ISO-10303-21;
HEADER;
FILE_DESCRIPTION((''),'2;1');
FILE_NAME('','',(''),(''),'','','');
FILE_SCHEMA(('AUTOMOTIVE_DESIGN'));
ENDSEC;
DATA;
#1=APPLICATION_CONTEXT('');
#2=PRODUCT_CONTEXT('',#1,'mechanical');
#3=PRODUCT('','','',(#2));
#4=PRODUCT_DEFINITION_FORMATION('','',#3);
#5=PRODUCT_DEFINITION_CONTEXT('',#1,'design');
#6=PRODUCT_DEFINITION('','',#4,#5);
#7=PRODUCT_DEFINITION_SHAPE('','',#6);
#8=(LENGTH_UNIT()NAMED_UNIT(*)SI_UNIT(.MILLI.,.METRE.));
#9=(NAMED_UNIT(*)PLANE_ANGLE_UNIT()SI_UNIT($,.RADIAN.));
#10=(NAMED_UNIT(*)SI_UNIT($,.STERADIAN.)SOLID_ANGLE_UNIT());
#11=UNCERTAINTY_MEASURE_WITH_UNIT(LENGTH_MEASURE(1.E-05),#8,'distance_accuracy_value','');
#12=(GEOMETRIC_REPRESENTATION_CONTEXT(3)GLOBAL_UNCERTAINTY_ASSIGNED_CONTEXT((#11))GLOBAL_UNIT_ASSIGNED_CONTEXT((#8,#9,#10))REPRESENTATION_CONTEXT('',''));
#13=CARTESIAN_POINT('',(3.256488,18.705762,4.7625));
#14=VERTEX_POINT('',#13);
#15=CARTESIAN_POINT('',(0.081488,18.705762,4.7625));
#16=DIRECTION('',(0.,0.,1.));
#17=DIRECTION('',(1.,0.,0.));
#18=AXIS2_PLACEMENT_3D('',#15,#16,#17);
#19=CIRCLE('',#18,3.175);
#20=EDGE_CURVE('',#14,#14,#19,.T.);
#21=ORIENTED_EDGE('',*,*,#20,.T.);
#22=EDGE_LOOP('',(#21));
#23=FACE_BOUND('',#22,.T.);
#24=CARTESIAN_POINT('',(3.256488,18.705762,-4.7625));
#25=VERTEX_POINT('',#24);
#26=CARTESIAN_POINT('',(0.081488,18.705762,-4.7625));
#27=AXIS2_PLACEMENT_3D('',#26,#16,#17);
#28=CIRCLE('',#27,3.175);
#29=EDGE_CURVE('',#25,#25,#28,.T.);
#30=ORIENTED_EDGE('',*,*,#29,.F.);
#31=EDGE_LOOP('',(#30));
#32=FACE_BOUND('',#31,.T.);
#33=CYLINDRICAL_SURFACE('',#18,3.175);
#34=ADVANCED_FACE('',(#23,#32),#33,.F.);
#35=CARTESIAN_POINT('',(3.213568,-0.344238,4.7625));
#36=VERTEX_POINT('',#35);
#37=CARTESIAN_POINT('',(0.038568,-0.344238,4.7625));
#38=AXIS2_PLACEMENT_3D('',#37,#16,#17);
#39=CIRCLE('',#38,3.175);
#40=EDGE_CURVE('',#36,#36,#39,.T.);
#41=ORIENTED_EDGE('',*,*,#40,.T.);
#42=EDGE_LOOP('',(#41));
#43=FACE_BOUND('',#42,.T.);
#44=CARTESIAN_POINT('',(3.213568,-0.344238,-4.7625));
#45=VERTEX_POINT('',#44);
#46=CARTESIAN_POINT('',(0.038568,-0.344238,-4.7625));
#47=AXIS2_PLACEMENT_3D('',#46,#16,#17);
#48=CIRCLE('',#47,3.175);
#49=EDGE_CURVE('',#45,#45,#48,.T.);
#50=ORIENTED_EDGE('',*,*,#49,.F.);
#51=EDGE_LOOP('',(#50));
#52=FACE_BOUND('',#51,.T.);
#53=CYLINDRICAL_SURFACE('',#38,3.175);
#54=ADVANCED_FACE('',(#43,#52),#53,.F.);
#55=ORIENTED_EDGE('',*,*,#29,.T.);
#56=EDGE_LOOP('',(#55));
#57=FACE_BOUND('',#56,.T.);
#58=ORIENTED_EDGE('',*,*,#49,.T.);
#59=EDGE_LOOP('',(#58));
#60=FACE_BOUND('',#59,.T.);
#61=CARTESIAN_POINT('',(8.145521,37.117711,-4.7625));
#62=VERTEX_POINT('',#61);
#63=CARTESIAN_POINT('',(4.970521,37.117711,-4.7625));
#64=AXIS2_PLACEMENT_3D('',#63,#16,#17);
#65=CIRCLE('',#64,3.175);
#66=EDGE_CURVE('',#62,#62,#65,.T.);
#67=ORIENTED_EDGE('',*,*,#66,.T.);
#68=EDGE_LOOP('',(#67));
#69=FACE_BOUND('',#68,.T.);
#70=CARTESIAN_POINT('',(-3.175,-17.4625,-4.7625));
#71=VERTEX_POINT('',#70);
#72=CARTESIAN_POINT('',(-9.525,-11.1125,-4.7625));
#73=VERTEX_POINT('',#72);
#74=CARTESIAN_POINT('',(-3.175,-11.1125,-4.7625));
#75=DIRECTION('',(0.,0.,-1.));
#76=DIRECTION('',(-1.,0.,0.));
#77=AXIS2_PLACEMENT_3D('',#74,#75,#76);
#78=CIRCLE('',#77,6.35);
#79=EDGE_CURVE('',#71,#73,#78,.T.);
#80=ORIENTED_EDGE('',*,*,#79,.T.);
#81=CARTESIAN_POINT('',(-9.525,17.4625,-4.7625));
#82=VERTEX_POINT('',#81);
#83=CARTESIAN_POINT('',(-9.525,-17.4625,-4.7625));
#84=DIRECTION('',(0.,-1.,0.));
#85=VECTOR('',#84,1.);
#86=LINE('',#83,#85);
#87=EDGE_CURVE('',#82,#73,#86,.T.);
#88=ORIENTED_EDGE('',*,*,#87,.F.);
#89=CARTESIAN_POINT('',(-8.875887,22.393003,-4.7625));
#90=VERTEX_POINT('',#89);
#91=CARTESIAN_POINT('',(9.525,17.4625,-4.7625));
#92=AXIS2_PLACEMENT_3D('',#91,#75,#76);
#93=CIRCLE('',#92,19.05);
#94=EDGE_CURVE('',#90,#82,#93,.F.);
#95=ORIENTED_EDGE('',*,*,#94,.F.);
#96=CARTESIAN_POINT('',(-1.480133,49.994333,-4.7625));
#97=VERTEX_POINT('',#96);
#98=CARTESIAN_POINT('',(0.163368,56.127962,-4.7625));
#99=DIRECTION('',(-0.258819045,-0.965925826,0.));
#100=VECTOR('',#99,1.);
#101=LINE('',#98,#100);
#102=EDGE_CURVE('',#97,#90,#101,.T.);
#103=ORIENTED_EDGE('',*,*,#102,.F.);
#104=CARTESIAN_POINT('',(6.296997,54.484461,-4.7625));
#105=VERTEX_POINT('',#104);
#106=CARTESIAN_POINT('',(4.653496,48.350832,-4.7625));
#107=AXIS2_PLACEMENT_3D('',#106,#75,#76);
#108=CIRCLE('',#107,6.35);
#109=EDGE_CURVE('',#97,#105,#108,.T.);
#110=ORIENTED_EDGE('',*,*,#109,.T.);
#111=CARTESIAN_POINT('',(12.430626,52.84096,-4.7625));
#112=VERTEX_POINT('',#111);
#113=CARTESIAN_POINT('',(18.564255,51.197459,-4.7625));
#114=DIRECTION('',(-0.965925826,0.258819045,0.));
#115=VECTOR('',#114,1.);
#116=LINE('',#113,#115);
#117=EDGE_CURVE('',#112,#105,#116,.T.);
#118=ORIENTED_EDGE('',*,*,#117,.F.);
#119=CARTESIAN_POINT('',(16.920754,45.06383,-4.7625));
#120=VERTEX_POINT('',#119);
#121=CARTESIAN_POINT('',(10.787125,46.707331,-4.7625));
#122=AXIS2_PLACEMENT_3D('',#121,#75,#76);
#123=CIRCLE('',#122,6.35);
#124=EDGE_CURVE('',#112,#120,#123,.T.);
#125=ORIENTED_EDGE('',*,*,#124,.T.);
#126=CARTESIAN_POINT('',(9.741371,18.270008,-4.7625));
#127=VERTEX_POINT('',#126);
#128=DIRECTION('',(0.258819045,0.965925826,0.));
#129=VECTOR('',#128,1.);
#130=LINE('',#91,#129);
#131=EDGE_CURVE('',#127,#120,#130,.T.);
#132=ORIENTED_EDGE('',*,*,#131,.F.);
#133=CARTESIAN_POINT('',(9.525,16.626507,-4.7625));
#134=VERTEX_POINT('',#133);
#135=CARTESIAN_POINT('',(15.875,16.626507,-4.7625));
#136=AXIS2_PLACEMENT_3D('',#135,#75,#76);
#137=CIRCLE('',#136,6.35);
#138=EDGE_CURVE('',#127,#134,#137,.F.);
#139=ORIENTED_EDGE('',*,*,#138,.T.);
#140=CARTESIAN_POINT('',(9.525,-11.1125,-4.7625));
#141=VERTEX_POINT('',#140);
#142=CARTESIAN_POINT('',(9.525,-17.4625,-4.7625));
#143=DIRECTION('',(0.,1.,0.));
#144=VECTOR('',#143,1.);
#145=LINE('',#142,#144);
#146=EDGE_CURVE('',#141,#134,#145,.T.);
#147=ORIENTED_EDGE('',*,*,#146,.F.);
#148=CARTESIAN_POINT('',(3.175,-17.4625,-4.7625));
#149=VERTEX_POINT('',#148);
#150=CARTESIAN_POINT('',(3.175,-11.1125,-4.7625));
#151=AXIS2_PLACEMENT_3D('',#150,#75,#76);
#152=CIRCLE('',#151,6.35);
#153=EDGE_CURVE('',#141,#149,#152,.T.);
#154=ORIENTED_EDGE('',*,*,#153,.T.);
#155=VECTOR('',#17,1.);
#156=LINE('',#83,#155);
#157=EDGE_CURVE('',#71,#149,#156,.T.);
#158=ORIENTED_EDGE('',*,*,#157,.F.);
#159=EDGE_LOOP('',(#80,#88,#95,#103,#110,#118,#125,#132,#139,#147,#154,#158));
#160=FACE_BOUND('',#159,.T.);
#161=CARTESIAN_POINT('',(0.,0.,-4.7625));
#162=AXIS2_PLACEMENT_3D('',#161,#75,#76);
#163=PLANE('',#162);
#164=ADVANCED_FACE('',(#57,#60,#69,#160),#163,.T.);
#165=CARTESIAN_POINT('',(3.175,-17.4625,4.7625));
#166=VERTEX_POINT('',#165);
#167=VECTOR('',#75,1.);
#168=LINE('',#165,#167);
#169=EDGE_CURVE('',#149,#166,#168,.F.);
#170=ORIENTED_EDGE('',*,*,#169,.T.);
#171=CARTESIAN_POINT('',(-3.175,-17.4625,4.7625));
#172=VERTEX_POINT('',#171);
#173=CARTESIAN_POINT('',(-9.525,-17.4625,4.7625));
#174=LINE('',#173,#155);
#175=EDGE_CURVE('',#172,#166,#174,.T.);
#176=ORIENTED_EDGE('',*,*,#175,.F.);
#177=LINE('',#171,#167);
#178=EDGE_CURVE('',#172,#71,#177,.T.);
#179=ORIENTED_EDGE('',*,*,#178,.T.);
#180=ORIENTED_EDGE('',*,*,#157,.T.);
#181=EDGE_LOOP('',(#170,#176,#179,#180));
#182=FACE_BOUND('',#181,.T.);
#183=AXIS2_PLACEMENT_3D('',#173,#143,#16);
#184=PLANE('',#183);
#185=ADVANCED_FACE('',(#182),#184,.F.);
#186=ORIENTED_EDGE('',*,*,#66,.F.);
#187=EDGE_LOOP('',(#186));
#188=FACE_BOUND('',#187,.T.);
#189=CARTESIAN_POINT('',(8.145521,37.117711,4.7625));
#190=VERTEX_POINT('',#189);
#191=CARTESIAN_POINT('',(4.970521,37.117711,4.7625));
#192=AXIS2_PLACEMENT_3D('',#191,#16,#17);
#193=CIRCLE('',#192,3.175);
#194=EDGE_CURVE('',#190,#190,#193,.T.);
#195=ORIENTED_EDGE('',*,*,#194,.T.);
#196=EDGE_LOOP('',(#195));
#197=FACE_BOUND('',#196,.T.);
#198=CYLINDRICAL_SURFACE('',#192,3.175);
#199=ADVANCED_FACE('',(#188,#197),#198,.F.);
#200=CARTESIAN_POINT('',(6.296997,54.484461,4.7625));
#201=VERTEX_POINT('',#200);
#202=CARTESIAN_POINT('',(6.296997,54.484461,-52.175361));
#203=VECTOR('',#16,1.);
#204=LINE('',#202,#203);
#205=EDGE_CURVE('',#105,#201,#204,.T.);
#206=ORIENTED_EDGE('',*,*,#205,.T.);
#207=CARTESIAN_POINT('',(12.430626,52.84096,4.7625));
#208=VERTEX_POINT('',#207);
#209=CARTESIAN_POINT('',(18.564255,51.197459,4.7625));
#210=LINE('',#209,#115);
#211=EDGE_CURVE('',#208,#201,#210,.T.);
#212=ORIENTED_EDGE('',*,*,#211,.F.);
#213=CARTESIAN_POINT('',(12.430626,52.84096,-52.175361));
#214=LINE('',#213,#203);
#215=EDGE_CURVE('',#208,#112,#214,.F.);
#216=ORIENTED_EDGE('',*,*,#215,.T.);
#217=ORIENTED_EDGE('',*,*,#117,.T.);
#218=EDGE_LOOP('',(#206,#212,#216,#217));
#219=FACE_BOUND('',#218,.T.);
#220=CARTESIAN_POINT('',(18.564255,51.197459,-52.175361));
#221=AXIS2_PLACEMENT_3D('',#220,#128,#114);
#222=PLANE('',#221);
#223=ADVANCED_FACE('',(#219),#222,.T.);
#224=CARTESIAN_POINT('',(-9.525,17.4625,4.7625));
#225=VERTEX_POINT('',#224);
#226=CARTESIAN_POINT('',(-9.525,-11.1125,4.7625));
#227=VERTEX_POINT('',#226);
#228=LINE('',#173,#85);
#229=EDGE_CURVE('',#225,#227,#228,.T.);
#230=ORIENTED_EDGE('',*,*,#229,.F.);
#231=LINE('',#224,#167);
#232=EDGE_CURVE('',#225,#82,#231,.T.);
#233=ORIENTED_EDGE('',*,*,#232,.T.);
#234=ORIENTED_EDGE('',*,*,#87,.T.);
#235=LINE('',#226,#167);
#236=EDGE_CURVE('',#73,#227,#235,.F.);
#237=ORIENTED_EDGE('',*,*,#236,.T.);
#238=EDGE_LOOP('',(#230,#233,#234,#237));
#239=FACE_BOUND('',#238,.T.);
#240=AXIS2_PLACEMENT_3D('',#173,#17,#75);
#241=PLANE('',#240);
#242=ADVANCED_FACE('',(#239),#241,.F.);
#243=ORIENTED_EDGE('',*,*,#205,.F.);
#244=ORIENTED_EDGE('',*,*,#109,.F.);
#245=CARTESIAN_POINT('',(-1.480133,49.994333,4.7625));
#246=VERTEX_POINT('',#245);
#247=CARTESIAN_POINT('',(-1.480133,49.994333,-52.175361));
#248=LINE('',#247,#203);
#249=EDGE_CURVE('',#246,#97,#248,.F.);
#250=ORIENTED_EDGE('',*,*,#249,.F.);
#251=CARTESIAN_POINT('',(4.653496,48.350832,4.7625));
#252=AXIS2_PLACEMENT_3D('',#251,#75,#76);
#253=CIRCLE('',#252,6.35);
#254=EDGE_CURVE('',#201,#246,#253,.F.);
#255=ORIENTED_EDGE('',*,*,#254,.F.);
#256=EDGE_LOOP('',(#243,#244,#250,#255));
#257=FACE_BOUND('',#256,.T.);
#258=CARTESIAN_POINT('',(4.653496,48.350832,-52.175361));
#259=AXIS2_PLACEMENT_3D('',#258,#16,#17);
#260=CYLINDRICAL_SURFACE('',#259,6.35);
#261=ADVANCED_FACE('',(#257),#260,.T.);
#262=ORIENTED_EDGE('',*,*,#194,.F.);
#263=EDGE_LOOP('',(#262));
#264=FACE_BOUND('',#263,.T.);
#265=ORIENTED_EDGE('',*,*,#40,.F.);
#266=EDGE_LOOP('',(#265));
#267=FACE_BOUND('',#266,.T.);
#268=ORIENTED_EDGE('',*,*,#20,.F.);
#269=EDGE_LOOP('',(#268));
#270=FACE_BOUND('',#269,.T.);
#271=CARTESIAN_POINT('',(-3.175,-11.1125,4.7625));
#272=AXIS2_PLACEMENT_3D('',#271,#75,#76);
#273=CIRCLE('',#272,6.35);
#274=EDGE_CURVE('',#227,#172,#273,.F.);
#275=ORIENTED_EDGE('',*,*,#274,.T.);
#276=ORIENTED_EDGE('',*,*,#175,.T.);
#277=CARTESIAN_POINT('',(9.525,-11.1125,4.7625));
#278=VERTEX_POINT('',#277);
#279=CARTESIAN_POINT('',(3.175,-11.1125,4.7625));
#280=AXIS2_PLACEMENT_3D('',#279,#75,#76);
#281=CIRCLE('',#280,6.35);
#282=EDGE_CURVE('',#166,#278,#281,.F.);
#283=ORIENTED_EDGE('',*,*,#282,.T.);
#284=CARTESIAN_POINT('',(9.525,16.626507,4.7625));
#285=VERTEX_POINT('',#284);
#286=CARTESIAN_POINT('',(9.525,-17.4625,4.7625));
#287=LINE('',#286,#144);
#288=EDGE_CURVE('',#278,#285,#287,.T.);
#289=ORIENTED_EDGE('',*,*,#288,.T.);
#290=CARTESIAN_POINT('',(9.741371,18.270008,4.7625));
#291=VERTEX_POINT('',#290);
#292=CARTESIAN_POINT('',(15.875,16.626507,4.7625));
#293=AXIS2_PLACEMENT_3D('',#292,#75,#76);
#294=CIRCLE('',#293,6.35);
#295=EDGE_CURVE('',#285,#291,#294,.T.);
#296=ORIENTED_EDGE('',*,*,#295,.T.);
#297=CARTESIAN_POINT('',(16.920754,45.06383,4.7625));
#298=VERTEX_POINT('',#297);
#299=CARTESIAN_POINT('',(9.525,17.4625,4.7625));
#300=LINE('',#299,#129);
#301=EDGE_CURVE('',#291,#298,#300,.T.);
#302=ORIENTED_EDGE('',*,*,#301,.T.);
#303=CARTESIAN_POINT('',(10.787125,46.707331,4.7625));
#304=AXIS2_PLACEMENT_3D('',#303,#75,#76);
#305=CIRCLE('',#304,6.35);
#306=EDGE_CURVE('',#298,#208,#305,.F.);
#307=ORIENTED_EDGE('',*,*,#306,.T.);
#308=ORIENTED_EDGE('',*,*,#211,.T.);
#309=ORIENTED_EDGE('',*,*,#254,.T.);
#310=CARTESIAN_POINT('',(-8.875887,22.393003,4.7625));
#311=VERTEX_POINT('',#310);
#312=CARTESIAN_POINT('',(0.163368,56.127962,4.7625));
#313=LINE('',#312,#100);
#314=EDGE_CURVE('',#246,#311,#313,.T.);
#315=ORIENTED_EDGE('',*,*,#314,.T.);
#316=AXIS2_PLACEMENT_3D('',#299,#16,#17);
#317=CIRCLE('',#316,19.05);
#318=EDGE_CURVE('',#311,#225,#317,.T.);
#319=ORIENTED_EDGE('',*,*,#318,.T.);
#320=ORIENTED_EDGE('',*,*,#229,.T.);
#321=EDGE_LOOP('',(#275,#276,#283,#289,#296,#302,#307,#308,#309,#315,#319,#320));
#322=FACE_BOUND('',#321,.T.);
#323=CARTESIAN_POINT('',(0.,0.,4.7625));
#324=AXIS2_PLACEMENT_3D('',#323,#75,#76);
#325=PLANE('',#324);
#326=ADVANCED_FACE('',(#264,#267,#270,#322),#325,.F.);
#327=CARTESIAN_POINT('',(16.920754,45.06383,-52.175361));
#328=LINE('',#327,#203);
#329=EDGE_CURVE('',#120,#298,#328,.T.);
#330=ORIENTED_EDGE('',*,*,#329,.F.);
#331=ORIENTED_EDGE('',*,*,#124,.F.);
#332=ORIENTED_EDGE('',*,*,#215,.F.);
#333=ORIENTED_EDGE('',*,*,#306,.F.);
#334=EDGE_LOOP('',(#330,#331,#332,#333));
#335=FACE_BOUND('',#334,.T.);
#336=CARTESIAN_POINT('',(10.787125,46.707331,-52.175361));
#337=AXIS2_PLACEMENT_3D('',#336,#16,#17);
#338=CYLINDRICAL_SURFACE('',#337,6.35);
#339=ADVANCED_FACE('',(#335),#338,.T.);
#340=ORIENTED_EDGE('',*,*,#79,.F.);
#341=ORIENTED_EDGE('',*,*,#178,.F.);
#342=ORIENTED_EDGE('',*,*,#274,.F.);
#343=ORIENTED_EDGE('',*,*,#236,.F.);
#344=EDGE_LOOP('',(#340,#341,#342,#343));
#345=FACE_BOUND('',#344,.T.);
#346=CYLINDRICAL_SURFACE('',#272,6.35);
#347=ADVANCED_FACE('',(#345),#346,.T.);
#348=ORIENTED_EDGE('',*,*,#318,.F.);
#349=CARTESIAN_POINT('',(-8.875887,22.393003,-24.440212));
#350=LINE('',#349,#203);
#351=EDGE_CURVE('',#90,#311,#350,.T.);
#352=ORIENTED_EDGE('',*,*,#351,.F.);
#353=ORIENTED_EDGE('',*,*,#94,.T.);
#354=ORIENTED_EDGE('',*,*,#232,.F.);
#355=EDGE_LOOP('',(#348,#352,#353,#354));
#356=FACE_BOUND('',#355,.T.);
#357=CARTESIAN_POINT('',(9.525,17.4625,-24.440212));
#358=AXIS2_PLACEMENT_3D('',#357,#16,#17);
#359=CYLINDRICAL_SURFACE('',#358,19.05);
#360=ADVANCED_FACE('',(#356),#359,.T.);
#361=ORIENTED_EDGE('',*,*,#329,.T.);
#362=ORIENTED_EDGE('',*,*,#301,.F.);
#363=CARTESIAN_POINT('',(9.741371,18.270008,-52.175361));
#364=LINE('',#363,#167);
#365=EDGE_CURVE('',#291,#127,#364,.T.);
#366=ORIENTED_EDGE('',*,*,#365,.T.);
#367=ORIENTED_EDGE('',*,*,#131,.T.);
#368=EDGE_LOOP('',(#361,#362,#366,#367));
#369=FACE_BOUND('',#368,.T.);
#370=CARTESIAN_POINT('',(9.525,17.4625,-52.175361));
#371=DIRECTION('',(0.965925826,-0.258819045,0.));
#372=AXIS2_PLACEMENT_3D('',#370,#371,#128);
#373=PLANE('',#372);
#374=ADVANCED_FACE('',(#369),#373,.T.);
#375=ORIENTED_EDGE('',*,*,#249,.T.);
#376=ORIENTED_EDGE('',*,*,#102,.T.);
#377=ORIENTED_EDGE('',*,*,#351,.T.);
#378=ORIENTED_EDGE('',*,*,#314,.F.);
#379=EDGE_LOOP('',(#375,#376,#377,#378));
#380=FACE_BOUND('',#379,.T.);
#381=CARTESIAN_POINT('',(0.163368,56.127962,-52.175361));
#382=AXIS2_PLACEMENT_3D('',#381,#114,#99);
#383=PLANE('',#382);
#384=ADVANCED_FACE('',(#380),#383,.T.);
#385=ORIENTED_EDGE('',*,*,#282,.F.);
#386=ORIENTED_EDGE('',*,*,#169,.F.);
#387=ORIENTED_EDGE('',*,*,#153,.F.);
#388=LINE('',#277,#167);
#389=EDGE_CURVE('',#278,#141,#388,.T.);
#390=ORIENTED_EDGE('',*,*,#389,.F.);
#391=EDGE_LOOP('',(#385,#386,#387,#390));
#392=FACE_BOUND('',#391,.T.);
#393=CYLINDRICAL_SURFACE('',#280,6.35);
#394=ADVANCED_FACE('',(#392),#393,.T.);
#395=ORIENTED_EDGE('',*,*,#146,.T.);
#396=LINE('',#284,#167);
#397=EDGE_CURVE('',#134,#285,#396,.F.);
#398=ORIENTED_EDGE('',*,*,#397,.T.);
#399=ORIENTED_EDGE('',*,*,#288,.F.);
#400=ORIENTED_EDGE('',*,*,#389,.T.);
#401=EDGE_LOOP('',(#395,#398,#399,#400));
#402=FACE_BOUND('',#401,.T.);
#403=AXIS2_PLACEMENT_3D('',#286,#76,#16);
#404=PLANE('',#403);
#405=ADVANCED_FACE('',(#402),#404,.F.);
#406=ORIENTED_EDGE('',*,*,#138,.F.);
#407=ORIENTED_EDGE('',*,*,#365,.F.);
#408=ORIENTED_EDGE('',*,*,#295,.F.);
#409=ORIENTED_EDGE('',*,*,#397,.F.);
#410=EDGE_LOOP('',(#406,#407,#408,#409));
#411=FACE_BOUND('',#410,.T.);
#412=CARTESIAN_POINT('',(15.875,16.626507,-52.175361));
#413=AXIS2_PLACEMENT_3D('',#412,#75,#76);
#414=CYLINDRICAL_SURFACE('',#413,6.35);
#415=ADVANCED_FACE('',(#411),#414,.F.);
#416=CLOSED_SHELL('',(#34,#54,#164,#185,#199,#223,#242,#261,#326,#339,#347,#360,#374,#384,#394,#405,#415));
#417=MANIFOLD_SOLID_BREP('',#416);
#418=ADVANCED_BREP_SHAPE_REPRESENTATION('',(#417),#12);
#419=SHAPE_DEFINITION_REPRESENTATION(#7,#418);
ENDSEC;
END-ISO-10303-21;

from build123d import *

# Parameters (mm, degrees)
SKETCH1_W                   = 19.05
SKETCH1_H                   = 34.925
BOSS_EXTRUDE1_DEPTH         = 4.7625
BOSS_EXTRUDE2_DEPTH         = 9.525
BOSS_EXTRUDE3_DEPTH         = 9.525
F_1_4_0_25_DIAMETER_HOLE1_D = 6.35
FILLET1_R                   = 6.35


with BuildPart() as part:
    # Sketch1 → Boss-Extrude1 (new, symmetric)
    with BuildSketch(Plane.XY):
        Rectangle(SKETCH1_W, SKETCH1_H)
    extrude(amount=BOSS_EXTRUDE1_DEPTH, both=True)



with BuildPart() as body_2:
    # Sketch2 → Boss-Extrude2 (new body)
    with BuildSketch(Plane.XY.offset(4.7625)):
        Polygon((9.525, 17.4625), (18.56425515, 51.197459483), (0.163368159, 56.127962292), (-8.875886991, 22.393002809), align=None)
    extrude(amount=-BOSS_EXTRUDE2_DEPTH)


with BuildPart() as part_1:
    add(part.part)

    add(body_2.part)  # Boss-Extrude3 merges body 2
    # Sketch3 → Boss-Extrude3 (add)
    with BuildSketch(Plane.XY.offset(4.7625)):
        with BuildLine():
            Line((-8.875886991, 22.393002809), (9.525, 17.4625))
            Line((9.525, 17.4625), (-9.525, 17.4625))
            ThreePointArc((-9.525, 17.4625), (-9.362024609, 19.949023962), (-8.875886991, 22.393002809))
        make_face()
    extrude(amount=-BOSS_EXTRUDE3_DEPTH)

    # 1/4 (0.25) Diameter Hole1 (through all)
    with Locations(Plane.XY.offset(4.7625)):
        with Locations((0.038567729, -0.344238019), (0.081487695, 18.705761981), (4.970520592, 37.117710746)):
            Hole(F_1_4_0_25_DIAMETER_HOLE1_D / 2)

    # Fillet1
    fillet1_edges = [part_1.edges().sort_by_distance(p)[0] for p in [
        (18.56425515, 51.197459483, 0),
        (0.163368159, 56.127962292, 0),
        (9.525, -17.4625, 0),
        (-9.525, -17.4625, 0),
        (9.525, 17.4625, 0),
    ]]
    fillet(fillet1_edges, radius=FILLET1_R)


solid = part_1.part
